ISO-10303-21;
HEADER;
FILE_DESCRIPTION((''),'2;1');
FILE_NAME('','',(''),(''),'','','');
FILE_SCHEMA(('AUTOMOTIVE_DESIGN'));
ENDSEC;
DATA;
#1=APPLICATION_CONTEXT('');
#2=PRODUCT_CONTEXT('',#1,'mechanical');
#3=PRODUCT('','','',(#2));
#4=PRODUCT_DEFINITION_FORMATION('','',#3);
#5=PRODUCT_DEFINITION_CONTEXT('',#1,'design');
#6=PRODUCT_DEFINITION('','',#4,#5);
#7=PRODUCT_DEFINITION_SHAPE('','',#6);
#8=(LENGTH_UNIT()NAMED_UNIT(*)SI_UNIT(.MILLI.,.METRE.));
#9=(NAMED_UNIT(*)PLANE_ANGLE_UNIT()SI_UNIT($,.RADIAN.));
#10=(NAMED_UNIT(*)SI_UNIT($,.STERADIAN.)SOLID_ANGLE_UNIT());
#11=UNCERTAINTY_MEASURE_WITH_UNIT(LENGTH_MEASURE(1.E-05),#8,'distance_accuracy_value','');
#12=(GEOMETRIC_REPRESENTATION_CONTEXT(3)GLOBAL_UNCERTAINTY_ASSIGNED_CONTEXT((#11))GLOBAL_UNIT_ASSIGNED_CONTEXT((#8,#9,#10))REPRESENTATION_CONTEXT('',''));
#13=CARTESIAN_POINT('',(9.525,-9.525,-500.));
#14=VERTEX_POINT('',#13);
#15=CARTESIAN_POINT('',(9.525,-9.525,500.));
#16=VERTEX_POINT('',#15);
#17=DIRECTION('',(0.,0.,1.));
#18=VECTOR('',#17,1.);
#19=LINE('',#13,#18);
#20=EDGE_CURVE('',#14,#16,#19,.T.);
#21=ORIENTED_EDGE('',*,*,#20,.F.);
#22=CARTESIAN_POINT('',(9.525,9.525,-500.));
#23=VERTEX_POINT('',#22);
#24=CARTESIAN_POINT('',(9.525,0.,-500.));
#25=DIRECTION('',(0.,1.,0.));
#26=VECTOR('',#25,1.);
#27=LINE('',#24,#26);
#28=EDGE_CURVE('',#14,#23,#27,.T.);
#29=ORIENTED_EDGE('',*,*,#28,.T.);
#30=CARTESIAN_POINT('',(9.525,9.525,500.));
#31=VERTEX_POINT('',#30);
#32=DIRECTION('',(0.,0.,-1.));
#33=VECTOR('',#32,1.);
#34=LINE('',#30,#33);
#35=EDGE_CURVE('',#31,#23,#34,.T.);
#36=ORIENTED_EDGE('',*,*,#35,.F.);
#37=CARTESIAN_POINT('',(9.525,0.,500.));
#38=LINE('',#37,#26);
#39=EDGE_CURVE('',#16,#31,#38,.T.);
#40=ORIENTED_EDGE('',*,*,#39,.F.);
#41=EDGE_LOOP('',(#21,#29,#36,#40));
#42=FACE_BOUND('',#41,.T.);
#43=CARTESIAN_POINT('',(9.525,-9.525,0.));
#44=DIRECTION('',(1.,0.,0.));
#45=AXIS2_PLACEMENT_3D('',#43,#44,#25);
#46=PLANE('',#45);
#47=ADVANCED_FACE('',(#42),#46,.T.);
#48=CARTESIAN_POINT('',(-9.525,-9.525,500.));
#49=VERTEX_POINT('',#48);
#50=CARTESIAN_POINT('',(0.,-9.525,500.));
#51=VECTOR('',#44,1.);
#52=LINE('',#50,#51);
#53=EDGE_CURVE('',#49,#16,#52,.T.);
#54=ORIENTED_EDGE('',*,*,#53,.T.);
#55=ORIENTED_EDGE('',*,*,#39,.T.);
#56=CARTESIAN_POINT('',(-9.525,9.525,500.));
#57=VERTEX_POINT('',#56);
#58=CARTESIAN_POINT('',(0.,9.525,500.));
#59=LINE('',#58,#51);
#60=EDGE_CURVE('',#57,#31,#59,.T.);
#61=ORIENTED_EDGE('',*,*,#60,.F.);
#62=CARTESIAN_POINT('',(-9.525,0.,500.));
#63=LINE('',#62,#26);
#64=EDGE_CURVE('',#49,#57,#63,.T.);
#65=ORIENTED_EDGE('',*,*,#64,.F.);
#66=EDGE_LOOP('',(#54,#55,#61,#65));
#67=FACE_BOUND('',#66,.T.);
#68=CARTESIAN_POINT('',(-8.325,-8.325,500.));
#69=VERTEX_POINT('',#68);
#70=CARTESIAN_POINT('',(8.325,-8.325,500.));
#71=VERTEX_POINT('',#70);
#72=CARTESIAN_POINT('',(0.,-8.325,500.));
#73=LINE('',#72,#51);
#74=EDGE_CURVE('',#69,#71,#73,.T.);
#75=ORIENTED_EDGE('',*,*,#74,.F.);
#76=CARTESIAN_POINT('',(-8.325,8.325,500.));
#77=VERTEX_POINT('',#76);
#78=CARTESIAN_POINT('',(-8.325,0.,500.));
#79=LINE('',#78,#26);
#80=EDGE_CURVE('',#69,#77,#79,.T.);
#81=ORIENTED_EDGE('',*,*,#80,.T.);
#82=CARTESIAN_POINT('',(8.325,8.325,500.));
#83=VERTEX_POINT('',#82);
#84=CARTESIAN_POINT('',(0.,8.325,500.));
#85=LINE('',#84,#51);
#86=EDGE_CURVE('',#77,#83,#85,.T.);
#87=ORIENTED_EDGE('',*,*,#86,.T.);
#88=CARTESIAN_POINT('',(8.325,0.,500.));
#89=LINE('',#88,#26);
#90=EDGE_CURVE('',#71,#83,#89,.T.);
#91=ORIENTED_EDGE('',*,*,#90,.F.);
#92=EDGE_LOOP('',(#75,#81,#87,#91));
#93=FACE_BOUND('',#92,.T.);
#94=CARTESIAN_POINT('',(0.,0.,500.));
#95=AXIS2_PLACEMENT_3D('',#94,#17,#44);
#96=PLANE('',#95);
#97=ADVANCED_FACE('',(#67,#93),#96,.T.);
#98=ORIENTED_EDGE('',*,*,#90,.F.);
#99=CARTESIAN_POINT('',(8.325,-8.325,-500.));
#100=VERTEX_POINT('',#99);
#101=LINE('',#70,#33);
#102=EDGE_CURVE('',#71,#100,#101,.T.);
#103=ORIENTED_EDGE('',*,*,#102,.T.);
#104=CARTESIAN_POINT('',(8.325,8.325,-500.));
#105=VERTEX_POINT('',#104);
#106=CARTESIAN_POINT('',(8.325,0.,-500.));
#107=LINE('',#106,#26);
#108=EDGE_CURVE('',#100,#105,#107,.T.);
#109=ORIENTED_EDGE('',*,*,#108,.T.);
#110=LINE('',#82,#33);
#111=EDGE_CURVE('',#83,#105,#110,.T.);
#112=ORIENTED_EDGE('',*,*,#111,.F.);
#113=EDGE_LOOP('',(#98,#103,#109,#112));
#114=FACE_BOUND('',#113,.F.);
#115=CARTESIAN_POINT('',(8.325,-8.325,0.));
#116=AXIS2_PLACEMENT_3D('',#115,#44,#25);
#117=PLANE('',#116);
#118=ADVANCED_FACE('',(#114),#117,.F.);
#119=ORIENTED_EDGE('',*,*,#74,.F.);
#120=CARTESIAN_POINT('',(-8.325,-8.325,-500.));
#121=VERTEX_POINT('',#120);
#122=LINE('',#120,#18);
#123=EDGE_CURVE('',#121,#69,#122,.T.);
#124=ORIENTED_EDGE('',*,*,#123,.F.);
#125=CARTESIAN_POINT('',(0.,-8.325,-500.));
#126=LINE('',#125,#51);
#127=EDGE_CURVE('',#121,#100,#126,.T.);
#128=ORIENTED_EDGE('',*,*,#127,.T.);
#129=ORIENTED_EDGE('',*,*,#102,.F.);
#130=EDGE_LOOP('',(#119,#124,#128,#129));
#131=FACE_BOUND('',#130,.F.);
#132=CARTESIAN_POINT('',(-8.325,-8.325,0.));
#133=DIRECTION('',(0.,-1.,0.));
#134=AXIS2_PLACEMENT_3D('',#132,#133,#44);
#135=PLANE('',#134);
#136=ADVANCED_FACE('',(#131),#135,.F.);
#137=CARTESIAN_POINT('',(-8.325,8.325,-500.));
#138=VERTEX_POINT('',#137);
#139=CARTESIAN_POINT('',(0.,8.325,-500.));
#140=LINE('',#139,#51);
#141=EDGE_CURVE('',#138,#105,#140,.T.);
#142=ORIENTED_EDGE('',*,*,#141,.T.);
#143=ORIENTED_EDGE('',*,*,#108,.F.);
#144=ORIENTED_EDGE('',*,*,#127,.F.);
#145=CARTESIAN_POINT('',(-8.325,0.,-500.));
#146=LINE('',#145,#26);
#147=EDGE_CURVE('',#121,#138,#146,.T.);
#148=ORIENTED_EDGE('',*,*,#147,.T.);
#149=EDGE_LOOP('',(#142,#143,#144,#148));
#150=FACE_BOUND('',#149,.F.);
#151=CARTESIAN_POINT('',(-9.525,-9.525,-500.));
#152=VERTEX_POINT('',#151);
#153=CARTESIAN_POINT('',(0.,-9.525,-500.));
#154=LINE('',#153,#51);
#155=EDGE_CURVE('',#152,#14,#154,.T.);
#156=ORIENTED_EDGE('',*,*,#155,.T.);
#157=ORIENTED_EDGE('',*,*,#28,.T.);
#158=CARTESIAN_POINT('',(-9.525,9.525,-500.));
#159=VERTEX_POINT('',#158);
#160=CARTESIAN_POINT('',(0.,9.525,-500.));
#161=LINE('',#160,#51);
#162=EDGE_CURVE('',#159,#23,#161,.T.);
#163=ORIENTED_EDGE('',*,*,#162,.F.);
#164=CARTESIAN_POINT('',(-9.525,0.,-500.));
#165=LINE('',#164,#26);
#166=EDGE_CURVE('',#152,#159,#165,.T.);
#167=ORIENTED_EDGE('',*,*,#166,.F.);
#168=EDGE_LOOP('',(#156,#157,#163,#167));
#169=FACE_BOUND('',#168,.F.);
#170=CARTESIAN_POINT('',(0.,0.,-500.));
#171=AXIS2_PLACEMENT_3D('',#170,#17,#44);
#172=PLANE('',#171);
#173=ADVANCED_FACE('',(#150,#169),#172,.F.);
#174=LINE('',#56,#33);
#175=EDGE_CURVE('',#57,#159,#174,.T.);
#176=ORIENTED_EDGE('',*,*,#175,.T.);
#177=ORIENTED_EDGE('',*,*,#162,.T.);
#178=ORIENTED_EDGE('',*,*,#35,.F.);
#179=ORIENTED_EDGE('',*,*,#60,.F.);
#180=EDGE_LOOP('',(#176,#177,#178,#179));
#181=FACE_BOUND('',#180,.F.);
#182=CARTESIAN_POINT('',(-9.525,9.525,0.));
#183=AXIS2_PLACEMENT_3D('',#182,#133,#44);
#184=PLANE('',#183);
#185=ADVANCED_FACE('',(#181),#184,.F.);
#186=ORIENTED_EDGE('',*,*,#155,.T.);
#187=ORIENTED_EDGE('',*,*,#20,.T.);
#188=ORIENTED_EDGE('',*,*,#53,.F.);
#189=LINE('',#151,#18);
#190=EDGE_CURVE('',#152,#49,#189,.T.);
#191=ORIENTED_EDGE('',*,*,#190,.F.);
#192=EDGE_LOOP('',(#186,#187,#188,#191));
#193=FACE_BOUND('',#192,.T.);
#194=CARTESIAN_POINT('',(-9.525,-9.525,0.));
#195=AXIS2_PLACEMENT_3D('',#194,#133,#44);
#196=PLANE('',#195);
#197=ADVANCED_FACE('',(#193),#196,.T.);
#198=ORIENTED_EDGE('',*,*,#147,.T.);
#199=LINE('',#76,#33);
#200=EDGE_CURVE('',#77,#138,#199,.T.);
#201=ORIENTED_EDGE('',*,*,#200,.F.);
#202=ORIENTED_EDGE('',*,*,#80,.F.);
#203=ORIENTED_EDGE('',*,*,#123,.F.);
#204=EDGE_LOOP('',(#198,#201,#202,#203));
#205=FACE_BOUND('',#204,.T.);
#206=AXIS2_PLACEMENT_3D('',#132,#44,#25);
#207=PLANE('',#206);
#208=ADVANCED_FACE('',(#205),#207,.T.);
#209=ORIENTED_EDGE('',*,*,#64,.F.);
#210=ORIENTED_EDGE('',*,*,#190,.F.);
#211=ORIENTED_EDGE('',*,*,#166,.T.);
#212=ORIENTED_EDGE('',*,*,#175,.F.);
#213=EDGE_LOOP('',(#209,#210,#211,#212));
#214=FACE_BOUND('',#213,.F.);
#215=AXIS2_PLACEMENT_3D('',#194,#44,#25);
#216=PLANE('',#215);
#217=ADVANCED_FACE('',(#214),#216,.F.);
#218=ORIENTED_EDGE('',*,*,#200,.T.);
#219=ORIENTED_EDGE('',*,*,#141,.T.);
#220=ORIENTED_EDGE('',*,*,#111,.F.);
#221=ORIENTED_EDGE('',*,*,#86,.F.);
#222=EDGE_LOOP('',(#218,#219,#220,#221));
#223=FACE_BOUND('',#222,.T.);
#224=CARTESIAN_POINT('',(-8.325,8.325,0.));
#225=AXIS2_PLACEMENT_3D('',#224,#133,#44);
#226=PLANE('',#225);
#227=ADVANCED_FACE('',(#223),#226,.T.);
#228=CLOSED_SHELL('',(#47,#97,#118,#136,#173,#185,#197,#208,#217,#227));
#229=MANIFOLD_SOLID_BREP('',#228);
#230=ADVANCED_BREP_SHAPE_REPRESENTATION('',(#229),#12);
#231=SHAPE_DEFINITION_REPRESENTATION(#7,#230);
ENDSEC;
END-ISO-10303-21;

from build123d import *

# Parameters (mm, degrees)
F0_W          = 19.05
F0_H          = 19.05
F0_W_2        = 16.65
F0_H_2        = 16.65
F1_DEPTH      = 500
F1_DEPTH_BACK = 500


with BuildPart() as f1:
    # F0 (on Top) → F1 (new body, two sides)
    with BuildSketch(Plane.XY) as f1_sk:
        Rectangle(F0_W, F0_H)
        Rectangle(F0_W_2, F0_H_2, mode=Mode.SUBTRACT)
    extrude(amount=F1_DEPTH)
    extrude(f1_sk.sketch, amount=-F1_DEPTH_BACK)


solid = f1.part
